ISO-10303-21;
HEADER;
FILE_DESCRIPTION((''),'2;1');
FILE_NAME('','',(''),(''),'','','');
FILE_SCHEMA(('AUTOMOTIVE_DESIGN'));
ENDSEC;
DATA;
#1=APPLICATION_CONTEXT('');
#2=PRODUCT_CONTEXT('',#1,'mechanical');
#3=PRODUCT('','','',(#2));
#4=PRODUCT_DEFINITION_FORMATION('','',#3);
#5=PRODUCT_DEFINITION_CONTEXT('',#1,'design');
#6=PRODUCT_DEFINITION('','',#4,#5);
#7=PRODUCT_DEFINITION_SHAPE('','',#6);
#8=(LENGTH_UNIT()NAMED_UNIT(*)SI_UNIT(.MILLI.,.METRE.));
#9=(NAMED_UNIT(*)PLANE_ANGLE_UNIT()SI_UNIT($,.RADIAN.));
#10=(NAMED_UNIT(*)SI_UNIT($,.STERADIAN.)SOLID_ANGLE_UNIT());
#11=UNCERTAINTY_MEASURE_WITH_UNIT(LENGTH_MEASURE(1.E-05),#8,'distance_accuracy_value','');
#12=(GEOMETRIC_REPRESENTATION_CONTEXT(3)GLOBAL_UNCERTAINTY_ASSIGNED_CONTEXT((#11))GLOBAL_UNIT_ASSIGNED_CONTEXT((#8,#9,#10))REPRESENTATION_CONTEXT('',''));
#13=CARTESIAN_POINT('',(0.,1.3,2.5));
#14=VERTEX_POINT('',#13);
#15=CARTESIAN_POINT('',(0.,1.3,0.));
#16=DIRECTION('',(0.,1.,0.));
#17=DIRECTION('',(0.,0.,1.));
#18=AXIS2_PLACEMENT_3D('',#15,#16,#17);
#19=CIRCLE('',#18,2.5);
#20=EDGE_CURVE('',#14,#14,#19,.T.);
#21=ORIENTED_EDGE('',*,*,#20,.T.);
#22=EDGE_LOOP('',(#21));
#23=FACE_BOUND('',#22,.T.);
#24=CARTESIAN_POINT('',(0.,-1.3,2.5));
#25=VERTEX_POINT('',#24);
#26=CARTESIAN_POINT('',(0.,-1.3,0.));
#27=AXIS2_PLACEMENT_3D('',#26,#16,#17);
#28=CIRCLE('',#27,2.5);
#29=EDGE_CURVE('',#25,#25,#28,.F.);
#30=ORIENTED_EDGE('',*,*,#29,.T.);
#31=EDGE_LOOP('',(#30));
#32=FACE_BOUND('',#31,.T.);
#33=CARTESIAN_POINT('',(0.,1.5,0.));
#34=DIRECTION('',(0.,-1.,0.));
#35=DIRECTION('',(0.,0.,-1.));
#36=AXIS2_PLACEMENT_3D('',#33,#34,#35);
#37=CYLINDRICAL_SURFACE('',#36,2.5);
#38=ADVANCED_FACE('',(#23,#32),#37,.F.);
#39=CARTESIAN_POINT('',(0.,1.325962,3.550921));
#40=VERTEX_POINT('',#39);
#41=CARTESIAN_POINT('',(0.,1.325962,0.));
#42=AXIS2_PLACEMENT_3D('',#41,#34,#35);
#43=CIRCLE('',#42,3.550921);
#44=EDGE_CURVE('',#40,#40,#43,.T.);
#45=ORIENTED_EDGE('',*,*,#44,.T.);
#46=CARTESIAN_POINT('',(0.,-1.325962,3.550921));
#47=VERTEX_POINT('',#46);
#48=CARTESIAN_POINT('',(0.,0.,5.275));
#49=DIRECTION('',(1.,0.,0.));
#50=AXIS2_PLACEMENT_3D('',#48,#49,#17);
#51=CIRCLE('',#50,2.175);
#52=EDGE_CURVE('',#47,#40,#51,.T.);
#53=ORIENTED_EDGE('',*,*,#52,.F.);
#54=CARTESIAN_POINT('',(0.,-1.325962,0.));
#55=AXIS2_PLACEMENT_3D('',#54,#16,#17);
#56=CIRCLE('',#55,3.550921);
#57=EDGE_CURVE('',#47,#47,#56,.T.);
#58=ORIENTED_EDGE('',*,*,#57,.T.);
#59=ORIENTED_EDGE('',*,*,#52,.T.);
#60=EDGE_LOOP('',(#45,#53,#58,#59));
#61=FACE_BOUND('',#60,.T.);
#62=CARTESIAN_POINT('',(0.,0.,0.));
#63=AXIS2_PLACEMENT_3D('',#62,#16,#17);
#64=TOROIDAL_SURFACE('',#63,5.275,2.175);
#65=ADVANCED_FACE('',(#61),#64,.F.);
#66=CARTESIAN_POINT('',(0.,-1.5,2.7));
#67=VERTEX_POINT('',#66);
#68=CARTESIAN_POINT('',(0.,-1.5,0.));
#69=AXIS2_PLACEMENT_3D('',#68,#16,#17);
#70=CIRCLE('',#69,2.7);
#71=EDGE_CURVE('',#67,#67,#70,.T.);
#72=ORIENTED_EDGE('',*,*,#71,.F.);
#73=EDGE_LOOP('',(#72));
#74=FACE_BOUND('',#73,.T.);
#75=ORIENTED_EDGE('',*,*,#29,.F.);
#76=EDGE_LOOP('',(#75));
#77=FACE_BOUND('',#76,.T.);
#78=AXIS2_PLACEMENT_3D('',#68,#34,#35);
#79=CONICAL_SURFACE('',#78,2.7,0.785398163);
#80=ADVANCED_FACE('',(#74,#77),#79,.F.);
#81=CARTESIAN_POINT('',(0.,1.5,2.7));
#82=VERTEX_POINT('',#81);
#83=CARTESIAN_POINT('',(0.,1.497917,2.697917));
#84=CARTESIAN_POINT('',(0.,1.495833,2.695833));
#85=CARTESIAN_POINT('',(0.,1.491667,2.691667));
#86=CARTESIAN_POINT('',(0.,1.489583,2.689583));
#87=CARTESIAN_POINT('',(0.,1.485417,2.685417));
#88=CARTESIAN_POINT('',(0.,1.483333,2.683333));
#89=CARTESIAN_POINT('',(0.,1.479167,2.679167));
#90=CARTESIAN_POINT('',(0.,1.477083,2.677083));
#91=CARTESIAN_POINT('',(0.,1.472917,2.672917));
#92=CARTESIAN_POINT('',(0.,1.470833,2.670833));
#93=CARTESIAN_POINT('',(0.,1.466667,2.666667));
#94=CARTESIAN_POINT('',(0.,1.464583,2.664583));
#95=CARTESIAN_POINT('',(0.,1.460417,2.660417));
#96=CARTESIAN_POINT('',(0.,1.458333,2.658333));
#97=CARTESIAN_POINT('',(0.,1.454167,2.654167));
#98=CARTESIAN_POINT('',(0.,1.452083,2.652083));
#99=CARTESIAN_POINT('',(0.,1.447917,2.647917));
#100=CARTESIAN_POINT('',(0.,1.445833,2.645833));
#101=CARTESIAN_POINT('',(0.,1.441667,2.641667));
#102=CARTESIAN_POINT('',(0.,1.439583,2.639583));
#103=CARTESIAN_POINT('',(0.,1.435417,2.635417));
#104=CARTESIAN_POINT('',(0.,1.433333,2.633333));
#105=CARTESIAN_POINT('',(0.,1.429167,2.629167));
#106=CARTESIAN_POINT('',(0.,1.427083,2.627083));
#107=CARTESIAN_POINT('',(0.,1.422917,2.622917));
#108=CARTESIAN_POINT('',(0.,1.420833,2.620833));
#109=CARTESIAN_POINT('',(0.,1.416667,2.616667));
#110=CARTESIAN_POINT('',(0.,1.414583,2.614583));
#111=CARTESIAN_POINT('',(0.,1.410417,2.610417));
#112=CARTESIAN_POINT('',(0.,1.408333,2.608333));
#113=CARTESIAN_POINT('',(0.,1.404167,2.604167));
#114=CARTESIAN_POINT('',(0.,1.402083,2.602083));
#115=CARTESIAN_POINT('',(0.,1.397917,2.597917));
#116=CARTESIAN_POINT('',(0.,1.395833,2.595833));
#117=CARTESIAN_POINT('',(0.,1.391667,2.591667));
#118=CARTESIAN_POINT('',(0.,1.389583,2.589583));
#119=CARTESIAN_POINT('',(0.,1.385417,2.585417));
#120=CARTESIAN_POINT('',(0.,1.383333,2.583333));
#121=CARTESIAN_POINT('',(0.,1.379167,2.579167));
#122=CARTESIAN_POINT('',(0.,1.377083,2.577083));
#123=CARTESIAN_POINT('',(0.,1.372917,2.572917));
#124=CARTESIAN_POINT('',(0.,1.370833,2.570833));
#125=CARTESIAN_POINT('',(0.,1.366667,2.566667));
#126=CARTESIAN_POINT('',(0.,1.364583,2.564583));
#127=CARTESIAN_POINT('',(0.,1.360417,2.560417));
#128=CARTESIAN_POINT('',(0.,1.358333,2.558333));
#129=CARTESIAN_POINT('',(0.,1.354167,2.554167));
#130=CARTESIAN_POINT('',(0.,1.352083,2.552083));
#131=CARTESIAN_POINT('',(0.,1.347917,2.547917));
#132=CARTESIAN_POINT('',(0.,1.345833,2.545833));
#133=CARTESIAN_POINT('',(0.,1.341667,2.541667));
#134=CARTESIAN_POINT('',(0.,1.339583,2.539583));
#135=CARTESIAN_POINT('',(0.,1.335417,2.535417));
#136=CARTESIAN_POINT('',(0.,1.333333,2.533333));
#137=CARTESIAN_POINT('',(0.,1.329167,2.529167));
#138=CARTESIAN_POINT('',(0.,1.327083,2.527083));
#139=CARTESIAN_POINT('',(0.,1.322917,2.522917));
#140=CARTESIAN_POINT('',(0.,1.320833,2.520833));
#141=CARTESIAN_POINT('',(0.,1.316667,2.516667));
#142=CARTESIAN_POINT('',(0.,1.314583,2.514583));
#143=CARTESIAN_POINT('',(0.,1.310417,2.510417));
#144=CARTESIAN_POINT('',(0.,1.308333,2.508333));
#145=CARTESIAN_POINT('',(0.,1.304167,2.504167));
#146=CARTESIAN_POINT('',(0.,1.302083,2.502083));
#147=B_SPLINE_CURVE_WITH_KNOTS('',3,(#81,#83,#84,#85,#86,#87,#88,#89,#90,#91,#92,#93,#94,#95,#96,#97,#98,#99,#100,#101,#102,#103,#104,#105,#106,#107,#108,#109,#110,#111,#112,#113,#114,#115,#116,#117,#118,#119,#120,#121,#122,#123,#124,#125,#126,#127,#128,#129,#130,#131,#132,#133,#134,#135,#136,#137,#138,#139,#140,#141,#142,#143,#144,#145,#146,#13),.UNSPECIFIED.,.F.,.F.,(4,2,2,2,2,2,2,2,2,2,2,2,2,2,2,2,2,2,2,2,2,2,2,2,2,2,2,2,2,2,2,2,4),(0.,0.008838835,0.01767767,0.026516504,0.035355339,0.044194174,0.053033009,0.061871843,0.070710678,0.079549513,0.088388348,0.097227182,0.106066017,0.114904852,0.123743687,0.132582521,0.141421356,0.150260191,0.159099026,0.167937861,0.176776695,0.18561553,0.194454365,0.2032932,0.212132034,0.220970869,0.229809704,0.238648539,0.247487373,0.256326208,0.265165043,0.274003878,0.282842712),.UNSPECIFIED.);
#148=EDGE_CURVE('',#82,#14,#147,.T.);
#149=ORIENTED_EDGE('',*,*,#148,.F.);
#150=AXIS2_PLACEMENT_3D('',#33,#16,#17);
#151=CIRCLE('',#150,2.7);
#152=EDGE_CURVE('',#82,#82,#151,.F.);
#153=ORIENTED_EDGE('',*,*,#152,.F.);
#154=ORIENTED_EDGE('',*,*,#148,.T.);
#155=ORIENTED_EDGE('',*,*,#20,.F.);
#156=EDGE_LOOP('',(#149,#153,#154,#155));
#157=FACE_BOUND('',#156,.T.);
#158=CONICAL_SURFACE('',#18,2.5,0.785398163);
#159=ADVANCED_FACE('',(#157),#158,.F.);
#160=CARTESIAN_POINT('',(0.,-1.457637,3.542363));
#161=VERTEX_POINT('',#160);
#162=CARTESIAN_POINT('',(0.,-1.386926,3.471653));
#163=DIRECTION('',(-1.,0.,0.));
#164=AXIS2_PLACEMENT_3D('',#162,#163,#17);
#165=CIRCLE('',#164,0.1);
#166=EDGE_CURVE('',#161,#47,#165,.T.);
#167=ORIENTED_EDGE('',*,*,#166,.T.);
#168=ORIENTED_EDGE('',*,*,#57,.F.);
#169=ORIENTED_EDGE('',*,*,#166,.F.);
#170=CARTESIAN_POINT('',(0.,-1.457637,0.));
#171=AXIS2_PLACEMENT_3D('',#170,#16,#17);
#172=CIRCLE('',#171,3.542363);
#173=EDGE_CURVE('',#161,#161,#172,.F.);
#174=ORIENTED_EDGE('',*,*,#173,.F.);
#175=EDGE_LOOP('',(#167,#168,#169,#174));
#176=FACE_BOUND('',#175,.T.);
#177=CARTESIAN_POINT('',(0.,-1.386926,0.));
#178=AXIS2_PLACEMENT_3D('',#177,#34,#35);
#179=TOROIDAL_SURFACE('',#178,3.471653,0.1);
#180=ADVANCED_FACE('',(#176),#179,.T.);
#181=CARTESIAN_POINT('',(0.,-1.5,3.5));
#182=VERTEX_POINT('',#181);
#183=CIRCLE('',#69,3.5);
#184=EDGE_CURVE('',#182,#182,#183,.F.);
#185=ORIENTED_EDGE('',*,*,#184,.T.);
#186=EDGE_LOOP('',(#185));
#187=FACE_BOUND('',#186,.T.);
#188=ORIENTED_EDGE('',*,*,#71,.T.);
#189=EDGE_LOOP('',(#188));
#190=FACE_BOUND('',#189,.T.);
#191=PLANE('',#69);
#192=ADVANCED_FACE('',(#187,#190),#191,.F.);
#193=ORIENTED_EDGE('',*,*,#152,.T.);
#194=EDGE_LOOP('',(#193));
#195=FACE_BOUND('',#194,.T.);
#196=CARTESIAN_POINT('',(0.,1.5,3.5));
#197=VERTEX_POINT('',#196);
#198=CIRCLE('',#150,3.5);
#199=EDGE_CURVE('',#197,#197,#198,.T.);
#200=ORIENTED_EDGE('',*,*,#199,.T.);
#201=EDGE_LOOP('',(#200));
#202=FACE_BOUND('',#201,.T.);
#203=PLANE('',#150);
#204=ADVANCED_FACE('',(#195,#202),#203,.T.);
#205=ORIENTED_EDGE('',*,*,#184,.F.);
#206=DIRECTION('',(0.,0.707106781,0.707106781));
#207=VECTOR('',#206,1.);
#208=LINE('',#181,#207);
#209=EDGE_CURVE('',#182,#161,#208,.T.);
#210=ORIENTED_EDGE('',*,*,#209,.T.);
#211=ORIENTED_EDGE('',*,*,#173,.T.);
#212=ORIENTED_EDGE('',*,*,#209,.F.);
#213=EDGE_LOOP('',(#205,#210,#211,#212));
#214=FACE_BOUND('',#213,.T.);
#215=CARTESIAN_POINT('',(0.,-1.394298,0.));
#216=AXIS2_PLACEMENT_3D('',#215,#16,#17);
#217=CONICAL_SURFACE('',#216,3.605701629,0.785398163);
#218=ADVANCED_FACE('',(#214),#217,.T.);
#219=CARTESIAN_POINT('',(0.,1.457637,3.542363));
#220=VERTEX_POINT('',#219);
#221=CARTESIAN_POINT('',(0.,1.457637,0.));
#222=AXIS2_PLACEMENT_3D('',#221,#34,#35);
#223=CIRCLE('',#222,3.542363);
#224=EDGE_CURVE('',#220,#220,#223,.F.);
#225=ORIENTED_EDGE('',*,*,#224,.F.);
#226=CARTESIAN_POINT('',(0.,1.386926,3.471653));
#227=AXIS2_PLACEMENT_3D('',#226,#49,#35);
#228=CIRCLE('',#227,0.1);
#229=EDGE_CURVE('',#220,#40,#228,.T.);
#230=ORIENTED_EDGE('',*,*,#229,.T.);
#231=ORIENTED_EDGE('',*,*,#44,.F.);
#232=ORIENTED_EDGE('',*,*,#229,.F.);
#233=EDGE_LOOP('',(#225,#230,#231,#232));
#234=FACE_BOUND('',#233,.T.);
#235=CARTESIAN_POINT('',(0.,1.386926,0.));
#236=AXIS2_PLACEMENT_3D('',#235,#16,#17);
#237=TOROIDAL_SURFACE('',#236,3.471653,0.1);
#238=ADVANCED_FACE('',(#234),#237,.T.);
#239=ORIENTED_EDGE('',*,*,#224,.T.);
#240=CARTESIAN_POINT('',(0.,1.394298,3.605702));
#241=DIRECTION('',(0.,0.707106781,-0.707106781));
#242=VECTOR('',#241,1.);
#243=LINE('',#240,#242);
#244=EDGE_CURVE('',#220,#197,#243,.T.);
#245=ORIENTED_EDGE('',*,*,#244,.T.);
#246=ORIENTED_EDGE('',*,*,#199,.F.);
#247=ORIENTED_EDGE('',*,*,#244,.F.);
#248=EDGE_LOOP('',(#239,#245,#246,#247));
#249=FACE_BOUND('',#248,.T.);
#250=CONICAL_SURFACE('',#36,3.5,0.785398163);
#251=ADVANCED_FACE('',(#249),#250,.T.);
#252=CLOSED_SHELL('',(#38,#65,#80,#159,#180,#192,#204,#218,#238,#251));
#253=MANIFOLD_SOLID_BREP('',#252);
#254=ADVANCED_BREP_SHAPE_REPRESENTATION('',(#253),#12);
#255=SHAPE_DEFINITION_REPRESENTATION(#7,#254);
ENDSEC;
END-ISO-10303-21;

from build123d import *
from OCP.BRepFilletAPI import BRepFilletAPI_MakeChamfer

# Parameters (mm, degrees)
SKETCH1_R           = 3.7
SKETCH1_R_2         = 2.5
BOSS_EXTRUDE1_DEPTH = 1.5
CHAMFER1_SIZE       = 0.2
CHAMFER1_SIZE2      = 0.14146341463414658
CHAMFER2_SIZE       = 0.2
CHAMFER2_SIZE2      = 0.14146341463414658
FILLET1_R           = 0.1


with BuildPart() as part:
    # Sketch1 → Boss-Extrude1 (new, symmetric)
    with BuildSketch(Plane(origin=(0, 0, 0), x_dir=(1, 0, 0), z_dir=(0, 1, 0))):
        with Locations(Location((0, 0, 0), (0, 0, 270))):
            Circle(SKETCH1_R)
        with Locations(Location((0, 0, 0), (0, 0, 270))):
            Circle(SKETCH1_R_2, mode=Mode.SUBTRACT)
    extrude(amount=BOSS_EXTRUDE1_DEPTH, both=True)

    # Cut-Sweep1: sweep along a curve in space
    with BuildLine() as cut_sweep1_path:
        ThreePointArc((0, 1.5, 3.7), (2.6162950903902256, 1.5, 2.616295090390226), (3.7, 1.5, 0))
        ThreePointArc((3.7, 1.5, 0), (2.616295090390226, 1.5, -2.6162950903902256), (0, 1.5, -3.7))
        ThreePointArc((0, 1.5, -3.7), (-2.6162950903902256, 1.5, -2.616295090390226), (-3.7, 1.5, 0))
        ThreePointArc((-3.7, 1.5, 0), (-2.616295090390226, 1.5, 2.6162950903902256), (0, 1.5, 3.7))
    # Sketch2 → Cut-Sweep1 (sweep, cut)
    with BuildSketch(Plane(origin=(0, 0, 0), x_dir=(0, 0, -1), z_dir=(1, 0, 0))):
        with BuildLine():
            Line((-3.7, -1.5), (-3.7, 1.5))
            ThreePointArc((-3.7, 1.5), (-3.099999999999999, -3.3e-16), (-3.7, -1.5))
        make_face()
    sweep(path=cut_sweep1_path.line, mode=Mode.SUBTRACT)

    # Chamfer1: one chamfer whose edges measure the first distance from different faces: ONE call of the kernel's chamfer builder (chamfer() names one face for all edges)
    chamfer1_edges_1 = [part.edges().sort_by_distance(p)[0] for p in [
        (7.7e-16, -1.5, -2.5),
        (7.7e-16, 1.5, -2.5),
    ]]
    chamfer1_edges_2 = [part.edges().sort_by_distance(p)[0] for p in [
        (3.700000000000001, -1.5, 7e-16),
    ]]
    chamfer1_side_2 = [part.faces().sort_by_distance(p)[0] for p in [
        (3.595348196384392, -1.5, 6.7e-16),
    ]]
    chamfer1 = BRepFilletAPI_MakeChamfer(part.part.solid().wrapped)
    for e in chamfer1_edges_1:
        chamfer1.Add(CHAMFER1_SIZE, e.wrapped)
    for e in chamfer1_edges_2:
        chamfer1.Add(CHAMFER1_SIZE, CHAMFER1_SIZE2, e.wrapped, chamfer1_side_2[0].wrapped)  # the first distance lies on this face
    add(Compound.cast(chamfer1.Shape()), mode=Mode.REPLACE)

    # Chamfer2
    chamfer2_edges = [part.edges().sort_by_distance(p)[0] for p in [
        (3.700000000000001, 1.5, 7e-16),
    ]]
    chamfer2_side = [part.faces().sort_by_distance(p)[0] for p in [
        (8.6e-16, 1.5, -2.8046518036156094),
    ]]
    chamfer(chamfer2_edges, length=CHAMFER2_SIZE, length2=CHAMFER2_SIZE2, reference=chamfer2_side[0])

    # Fillet1
    fillet1_edges = [part.edges().sort_by_distance(p)[0] for p in [
        (3.6058210568322178, 1.394442443584041, 8.37383e-12),
        (3.605821056832176, -1.3944424435840415, -2.9301e-13),
    ]]
    fillet(fillet1_edges, radius=FILLET1_R)


solid = part.part
